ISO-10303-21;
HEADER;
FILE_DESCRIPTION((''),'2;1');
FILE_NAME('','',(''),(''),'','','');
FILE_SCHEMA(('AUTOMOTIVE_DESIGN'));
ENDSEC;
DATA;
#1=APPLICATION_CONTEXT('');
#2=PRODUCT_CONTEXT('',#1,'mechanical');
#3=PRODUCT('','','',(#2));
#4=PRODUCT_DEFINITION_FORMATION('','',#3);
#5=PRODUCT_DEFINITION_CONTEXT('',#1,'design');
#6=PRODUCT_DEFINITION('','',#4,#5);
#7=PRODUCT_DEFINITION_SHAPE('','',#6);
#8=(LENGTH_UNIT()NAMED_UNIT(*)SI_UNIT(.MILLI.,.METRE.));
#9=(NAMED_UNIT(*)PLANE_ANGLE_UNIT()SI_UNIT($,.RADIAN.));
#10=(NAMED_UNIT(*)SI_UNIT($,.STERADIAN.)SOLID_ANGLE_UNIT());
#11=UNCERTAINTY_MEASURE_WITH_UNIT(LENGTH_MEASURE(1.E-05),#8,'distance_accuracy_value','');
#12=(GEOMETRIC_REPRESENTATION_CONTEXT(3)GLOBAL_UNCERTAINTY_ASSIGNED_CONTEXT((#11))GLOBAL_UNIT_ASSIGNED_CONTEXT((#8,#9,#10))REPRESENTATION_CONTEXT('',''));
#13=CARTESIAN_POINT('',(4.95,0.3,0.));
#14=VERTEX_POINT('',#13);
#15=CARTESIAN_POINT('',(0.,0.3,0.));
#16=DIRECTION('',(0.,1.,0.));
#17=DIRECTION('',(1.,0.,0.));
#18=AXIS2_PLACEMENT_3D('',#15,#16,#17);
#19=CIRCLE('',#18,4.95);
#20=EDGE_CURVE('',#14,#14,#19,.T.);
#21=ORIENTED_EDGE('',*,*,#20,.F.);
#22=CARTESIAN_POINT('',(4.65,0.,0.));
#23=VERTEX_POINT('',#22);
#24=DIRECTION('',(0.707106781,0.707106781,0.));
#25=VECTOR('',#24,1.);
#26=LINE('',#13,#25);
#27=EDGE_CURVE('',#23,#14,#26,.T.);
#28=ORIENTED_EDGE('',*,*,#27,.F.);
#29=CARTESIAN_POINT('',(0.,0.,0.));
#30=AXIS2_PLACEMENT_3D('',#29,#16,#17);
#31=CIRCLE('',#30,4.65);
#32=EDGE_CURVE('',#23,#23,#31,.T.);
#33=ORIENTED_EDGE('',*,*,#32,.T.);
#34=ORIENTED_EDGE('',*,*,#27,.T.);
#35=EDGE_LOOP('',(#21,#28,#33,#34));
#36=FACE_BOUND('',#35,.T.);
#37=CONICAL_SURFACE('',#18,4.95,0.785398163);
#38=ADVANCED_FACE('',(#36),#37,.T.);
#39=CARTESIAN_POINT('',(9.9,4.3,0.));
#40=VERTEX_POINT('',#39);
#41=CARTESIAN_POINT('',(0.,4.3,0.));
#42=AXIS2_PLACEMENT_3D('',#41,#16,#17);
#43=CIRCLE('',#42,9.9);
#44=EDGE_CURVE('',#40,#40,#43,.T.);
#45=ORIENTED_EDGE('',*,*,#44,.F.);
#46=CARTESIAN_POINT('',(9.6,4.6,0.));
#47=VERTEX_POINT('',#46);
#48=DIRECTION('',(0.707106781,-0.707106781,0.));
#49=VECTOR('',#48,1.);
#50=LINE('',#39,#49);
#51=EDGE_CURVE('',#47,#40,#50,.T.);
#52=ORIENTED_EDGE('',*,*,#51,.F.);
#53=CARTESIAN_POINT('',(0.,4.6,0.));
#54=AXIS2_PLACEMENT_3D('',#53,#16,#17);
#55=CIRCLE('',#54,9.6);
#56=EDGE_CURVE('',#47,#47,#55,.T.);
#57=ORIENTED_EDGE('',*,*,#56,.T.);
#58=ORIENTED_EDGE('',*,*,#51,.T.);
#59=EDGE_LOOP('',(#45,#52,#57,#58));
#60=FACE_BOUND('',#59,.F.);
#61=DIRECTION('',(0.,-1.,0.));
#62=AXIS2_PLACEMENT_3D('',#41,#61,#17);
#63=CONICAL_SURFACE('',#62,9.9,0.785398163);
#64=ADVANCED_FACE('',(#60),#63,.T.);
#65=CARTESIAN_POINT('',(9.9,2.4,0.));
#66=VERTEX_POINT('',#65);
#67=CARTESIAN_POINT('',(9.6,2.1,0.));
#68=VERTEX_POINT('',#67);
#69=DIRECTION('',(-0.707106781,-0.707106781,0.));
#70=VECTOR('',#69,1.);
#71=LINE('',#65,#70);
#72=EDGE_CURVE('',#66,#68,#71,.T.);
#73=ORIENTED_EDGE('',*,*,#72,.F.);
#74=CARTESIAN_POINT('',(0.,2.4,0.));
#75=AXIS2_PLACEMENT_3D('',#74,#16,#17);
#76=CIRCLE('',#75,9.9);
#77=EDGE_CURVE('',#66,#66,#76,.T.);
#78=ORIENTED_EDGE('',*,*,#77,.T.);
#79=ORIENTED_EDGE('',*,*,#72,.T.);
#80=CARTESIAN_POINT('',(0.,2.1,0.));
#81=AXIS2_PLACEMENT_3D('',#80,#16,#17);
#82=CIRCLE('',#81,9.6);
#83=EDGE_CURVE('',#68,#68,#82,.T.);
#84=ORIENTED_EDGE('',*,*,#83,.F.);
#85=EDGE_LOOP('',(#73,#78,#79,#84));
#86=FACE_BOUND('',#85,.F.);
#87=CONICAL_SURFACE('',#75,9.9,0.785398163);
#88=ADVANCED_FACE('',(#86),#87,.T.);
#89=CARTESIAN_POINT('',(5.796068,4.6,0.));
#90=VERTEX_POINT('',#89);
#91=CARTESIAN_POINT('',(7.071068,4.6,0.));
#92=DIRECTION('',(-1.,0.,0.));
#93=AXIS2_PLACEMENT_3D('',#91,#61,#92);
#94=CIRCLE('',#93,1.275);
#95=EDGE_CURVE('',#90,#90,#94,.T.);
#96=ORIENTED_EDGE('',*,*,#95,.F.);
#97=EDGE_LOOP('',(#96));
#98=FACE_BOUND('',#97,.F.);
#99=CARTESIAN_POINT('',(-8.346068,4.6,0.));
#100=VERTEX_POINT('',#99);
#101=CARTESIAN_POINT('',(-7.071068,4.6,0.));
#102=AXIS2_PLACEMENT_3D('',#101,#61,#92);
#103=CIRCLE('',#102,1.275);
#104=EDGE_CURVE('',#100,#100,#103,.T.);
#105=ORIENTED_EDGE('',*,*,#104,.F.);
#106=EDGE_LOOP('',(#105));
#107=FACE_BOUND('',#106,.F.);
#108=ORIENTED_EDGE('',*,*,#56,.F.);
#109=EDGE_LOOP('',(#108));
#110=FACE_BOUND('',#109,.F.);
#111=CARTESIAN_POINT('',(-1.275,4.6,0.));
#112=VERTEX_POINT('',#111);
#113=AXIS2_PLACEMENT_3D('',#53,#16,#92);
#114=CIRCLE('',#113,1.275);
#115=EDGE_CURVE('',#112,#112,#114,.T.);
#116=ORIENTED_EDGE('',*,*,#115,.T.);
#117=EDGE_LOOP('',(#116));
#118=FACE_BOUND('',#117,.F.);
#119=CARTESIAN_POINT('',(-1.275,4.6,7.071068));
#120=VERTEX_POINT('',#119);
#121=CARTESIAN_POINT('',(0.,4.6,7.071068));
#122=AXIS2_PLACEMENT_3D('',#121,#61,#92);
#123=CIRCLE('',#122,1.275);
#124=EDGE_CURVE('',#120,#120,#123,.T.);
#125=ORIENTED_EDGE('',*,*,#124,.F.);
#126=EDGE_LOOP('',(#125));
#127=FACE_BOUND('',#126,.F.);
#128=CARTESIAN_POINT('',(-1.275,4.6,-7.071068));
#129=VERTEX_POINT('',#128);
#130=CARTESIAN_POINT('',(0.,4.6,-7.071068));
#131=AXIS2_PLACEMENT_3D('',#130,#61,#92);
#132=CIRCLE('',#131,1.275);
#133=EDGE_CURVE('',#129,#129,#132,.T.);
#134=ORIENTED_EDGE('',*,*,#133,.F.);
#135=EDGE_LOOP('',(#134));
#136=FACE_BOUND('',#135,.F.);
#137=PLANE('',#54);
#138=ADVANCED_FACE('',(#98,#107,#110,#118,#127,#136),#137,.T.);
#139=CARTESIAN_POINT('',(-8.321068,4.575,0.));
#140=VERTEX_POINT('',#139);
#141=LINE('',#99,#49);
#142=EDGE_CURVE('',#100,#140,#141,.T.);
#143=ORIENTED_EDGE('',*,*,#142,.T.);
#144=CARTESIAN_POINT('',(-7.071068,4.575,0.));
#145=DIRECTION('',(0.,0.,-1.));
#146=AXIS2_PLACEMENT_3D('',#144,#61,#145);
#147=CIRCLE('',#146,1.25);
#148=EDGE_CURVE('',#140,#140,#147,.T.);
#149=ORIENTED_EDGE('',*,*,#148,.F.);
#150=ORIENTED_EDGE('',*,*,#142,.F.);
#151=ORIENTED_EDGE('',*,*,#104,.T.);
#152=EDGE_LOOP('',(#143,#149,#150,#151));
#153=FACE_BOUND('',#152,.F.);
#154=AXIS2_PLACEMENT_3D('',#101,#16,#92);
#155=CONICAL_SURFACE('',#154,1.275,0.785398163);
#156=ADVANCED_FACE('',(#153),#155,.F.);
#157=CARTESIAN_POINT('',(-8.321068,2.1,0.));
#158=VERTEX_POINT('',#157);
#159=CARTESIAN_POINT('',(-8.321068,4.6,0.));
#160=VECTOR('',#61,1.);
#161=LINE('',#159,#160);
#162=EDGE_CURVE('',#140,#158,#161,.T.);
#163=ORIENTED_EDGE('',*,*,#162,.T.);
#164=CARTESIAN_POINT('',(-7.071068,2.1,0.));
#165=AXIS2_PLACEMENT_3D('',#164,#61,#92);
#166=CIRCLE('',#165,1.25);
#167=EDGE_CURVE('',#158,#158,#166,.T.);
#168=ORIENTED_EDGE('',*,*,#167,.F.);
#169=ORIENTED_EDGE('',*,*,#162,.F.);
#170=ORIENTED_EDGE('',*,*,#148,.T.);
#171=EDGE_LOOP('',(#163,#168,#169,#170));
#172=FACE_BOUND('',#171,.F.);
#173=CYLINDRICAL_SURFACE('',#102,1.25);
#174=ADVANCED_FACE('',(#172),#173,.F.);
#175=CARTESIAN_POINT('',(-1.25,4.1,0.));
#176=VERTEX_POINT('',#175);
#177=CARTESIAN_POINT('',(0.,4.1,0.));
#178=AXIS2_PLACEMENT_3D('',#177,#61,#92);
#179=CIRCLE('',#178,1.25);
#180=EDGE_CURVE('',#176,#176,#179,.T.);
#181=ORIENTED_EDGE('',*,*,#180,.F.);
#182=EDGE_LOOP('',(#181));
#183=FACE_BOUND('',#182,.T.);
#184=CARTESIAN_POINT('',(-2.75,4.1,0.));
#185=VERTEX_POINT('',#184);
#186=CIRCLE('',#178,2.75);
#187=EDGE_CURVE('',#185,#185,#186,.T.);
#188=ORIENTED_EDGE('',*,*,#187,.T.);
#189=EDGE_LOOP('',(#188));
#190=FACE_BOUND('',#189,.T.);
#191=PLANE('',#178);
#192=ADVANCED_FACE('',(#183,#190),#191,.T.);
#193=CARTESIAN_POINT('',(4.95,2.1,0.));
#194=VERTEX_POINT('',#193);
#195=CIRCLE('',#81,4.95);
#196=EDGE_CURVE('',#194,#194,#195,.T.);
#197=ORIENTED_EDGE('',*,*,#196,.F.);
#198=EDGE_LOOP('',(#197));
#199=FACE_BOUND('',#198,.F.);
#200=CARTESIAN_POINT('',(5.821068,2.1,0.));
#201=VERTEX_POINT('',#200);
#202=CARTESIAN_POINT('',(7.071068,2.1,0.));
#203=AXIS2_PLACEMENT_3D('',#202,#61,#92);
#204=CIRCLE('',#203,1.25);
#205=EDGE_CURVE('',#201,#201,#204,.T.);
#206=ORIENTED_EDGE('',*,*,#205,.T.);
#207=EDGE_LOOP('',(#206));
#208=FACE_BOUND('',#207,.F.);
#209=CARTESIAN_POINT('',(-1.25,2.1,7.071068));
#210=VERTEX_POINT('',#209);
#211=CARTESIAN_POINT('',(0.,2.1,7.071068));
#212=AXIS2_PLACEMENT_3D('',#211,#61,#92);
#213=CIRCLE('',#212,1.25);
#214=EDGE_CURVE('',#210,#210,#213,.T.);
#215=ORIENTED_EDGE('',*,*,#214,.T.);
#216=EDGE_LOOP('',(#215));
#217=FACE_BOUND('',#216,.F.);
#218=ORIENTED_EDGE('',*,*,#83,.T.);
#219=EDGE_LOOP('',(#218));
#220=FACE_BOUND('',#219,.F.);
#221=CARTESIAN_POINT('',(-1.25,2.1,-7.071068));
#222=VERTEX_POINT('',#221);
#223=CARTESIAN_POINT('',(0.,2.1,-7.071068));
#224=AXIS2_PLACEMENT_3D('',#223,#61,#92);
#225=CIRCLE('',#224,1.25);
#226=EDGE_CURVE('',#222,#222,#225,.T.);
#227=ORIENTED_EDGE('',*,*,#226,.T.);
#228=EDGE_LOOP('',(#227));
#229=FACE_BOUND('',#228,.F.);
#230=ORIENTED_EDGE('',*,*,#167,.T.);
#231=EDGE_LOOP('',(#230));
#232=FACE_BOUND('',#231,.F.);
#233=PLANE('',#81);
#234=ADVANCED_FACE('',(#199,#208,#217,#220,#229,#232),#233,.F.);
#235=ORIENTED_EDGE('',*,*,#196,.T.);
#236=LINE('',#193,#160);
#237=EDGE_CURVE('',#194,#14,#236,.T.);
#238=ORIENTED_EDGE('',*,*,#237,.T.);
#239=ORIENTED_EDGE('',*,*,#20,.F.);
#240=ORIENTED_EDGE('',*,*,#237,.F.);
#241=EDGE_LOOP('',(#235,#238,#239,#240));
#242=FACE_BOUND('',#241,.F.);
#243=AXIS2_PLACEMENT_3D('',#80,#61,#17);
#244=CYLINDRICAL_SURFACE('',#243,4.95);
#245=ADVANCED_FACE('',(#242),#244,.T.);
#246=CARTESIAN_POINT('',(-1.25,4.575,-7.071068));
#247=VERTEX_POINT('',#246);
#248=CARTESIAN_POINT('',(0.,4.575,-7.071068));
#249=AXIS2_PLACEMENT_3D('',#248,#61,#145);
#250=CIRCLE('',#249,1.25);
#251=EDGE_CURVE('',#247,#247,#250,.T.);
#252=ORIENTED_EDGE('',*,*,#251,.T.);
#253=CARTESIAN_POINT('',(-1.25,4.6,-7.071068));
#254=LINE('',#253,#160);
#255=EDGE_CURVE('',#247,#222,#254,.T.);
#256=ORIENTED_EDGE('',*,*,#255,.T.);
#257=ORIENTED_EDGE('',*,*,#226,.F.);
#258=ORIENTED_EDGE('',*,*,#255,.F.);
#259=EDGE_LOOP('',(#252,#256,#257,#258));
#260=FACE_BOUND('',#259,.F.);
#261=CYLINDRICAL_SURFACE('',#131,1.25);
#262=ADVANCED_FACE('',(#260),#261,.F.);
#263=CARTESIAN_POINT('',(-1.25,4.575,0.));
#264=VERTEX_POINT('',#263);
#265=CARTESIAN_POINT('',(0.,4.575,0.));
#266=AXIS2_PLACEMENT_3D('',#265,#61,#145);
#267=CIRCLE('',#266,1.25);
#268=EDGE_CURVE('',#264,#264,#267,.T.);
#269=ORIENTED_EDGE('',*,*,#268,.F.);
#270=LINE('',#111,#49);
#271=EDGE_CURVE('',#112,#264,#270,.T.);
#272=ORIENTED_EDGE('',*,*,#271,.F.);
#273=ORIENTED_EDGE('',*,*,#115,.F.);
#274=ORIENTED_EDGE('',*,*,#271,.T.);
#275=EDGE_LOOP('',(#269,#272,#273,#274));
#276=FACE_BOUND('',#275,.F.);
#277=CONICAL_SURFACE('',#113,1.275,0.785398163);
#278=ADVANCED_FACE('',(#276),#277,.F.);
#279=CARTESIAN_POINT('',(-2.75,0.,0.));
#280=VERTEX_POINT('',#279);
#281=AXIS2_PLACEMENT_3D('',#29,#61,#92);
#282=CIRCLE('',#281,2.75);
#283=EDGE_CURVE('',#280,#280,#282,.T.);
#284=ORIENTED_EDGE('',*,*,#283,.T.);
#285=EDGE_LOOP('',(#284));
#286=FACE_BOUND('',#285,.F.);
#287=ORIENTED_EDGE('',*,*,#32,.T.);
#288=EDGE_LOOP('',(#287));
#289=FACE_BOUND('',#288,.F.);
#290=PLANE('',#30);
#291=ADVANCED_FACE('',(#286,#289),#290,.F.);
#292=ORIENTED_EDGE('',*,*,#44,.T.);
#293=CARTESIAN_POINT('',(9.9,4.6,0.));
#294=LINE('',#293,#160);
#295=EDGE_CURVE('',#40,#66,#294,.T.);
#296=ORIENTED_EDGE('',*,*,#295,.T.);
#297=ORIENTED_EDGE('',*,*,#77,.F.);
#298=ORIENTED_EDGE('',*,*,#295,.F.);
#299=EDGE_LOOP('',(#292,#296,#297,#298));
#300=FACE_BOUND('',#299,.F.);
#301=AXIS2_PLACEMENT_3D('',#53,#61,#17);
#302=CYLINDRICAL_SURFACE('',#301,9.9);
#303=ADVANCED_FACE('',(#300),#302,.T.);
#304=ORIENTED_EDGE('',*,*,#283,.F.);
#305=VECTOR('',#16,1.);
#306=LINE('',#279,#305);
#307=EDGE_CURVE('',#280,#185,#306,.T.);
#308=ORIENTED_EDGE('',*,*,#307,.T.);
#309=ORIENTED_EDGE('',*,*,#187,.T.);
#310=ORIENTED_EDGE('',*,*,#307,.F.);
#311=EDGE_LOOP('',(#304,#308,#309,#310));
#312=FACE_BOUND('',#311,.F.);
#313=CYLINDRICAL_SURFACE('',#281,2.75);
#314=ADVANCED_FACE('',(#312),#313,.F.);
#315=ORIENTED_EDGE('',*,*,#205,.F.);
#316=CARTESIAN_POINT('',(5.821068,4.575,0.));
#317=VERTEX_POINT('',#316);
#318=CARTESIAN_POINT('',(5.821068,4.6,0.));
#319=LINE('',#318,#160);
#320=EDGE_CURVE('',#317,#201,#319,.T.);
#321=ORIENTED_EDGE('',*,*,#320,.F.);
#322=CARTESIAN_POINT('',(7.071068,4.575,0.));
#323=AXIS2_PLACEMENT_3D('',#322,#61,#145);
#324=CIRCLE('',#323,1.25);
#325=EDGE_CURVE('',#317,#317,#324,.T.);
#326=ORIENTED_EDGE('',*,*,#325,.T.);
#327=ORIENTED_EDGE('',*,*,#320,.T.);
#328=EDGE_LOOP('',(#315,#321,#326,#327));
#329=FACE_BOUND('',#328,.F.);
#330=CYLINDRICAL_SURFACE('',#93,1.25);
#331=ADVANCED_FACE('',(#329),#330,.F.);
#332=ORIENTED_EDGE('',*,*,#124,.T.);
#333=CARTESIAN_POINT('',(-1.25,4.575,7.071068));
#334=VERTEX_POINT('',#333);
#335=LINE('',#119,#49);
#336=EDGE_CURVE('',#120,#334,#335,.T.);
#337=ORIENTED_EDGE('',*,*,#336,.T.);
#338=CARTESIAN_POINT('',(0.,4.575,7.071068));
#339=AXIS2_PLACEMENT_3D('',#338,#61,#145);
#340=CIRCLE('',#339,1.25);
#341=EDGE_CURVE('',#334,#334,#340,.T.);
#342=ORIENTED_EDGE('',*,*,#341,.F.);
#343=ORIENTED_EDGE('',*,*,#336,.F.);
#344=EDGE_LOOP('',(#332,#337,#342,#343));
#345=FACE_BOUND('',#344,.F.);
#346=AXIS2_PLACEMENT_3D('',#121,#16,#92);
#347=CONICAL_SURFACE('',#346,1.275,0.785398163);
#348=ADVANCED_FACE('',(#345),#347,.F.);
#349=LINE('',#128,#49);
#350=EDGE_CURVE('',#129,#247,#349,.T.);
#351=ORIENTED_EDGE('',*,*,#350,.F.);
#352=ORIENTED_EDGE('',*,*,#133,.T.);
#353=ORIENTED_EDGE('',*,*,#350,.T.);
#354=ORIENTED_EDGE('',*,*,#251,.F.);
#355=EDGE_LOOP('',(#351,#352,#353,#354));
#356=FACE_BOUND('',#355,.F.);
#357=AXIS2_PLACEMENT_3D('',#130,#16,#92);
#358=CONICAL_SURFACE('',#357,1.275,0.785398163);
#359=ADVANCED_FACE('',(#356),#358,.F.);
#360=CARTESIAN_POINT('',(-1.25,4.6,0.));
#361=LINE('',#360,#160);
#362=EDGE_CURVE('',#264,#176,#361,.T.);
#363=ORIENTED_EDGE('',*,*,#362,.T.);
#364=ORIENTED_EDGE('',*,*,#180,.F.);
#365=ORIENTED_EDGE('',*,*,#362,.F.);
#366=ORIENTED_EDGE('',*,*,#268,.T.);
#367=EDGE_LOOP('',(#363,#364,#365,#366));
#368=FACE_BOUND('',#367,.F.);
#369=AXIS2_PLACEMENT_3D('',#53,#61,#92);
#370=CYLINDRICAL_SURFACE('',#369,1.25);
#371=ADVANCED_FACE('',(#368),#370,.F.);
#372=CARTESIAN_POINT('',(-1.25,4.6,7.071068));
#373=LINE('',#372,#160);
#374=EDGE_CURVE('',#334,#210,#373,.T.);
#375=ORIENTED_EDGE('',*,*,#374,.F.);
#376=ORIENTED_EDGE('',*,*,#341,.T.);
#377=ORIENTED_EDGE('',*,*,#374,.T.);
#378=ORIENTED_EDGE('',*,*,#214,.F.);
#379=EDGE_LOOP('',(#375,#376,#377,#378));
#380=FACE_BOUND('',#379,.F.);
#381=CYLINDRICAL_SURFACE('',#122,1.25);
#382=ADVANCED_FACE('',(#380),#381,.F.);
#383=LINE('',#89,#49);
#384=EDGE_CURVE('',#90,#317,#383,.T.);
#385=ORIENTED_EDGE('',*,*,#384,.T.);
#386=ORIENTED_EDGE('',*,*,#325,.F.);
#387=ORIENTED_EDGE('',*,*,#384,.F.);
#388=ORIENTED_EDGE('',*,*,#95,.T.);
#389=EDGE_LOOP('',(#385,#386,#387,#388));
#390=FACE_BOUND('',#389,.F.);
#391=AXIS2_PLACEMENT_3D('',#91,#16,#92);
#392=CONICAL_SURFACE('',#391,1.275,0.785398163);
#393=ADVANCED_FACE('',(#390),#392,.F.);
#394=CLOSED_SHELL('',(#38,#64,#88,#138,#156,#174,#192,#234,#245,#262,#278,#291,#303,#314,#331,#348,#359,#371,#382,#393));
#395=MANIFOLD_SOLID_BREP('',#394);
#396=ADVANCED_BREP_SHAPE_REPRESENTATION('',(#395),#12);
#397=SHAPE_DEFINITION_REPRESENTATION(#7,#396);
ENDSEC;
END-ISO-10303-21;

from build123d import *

# Parameters (mm, degrees)
CHAMFER_1_SIZE               = 0.3
HOLE_WIZARD_M3_1_D           = 2.5
HOLE_WIZARD_M3_1_CSINK_D     = 2.55
HOLE_WIZARD_M3_1_CSINK_ANGLE = 90
SKETCH_5_R                   = 2.75
CUT_EXTRUDE_1_DEPTH          = 1
CUT_EXTRUDE_1_DEPTH_BACK     = 4.1


with BuildPart() as part:
    # 草图2 → 旋转1 (revolve)
    with BuildSketch(Plane.XY):
        Polygon((4.95, 0), (0, 0), (0, 4.6), (9.9, 4.6), (9.9, 2.1), (4.95, 2.1), align=None)
    revolve(axis=Axis((0, 0, 0), (0, 1, 0)))

    # 倒角1
    chamfer_1_edges = [part.edges().sort_by_distance(p)[0] for p in [
        (-9.9, 4.6, 0),
        (-9.9, 2.1, 0),
        (-4.95, 0, 0),
    ]]
    chamfer(chamfer_1_edges, length=CHAMFER_1_SIZE)

    # M3 螺纹孔的螺纹孔钻头1 (through all)
    with Locations(Plane(origin=(0, 4.6, 0), x_dir=(1, 0, 0), z_dir=(0, 1, 0))):
        with Locations((7.071067812, 0), (0, -7.071067812), (-7.071067812, 0), (0, 7.071067812), (0, 0)):
            CounterSinkHole(HOLE_WIZARD_M3_1_D / 2, HOLE_WIZARD_M3_1_CSINK_D / 2, counter_sink_angle=HOLE_WIZARD_M3_1_CSINK_ANGLE)

    # 草图5 → 切除-拉伸1 (cut, two sides)
    with BuildSketch(Plane(origin=(0, 0, 0), x_dir=(-1, 0, 0), z_dir=(0, -1, 0))) as cut_extrude_1_sk:
        Circle(SKETCH_5_R)
    extrude(amount=CUT_EXTRUDE_1_DEPTH, mode=Mode.SUBTRACT)
    extrude(cut_extrude_1_sk.sketch, amount=-CUT_EXTRUDE_1_DEPTH_BACK, mode=Mode.SUBTRACT)


solid = part.part
